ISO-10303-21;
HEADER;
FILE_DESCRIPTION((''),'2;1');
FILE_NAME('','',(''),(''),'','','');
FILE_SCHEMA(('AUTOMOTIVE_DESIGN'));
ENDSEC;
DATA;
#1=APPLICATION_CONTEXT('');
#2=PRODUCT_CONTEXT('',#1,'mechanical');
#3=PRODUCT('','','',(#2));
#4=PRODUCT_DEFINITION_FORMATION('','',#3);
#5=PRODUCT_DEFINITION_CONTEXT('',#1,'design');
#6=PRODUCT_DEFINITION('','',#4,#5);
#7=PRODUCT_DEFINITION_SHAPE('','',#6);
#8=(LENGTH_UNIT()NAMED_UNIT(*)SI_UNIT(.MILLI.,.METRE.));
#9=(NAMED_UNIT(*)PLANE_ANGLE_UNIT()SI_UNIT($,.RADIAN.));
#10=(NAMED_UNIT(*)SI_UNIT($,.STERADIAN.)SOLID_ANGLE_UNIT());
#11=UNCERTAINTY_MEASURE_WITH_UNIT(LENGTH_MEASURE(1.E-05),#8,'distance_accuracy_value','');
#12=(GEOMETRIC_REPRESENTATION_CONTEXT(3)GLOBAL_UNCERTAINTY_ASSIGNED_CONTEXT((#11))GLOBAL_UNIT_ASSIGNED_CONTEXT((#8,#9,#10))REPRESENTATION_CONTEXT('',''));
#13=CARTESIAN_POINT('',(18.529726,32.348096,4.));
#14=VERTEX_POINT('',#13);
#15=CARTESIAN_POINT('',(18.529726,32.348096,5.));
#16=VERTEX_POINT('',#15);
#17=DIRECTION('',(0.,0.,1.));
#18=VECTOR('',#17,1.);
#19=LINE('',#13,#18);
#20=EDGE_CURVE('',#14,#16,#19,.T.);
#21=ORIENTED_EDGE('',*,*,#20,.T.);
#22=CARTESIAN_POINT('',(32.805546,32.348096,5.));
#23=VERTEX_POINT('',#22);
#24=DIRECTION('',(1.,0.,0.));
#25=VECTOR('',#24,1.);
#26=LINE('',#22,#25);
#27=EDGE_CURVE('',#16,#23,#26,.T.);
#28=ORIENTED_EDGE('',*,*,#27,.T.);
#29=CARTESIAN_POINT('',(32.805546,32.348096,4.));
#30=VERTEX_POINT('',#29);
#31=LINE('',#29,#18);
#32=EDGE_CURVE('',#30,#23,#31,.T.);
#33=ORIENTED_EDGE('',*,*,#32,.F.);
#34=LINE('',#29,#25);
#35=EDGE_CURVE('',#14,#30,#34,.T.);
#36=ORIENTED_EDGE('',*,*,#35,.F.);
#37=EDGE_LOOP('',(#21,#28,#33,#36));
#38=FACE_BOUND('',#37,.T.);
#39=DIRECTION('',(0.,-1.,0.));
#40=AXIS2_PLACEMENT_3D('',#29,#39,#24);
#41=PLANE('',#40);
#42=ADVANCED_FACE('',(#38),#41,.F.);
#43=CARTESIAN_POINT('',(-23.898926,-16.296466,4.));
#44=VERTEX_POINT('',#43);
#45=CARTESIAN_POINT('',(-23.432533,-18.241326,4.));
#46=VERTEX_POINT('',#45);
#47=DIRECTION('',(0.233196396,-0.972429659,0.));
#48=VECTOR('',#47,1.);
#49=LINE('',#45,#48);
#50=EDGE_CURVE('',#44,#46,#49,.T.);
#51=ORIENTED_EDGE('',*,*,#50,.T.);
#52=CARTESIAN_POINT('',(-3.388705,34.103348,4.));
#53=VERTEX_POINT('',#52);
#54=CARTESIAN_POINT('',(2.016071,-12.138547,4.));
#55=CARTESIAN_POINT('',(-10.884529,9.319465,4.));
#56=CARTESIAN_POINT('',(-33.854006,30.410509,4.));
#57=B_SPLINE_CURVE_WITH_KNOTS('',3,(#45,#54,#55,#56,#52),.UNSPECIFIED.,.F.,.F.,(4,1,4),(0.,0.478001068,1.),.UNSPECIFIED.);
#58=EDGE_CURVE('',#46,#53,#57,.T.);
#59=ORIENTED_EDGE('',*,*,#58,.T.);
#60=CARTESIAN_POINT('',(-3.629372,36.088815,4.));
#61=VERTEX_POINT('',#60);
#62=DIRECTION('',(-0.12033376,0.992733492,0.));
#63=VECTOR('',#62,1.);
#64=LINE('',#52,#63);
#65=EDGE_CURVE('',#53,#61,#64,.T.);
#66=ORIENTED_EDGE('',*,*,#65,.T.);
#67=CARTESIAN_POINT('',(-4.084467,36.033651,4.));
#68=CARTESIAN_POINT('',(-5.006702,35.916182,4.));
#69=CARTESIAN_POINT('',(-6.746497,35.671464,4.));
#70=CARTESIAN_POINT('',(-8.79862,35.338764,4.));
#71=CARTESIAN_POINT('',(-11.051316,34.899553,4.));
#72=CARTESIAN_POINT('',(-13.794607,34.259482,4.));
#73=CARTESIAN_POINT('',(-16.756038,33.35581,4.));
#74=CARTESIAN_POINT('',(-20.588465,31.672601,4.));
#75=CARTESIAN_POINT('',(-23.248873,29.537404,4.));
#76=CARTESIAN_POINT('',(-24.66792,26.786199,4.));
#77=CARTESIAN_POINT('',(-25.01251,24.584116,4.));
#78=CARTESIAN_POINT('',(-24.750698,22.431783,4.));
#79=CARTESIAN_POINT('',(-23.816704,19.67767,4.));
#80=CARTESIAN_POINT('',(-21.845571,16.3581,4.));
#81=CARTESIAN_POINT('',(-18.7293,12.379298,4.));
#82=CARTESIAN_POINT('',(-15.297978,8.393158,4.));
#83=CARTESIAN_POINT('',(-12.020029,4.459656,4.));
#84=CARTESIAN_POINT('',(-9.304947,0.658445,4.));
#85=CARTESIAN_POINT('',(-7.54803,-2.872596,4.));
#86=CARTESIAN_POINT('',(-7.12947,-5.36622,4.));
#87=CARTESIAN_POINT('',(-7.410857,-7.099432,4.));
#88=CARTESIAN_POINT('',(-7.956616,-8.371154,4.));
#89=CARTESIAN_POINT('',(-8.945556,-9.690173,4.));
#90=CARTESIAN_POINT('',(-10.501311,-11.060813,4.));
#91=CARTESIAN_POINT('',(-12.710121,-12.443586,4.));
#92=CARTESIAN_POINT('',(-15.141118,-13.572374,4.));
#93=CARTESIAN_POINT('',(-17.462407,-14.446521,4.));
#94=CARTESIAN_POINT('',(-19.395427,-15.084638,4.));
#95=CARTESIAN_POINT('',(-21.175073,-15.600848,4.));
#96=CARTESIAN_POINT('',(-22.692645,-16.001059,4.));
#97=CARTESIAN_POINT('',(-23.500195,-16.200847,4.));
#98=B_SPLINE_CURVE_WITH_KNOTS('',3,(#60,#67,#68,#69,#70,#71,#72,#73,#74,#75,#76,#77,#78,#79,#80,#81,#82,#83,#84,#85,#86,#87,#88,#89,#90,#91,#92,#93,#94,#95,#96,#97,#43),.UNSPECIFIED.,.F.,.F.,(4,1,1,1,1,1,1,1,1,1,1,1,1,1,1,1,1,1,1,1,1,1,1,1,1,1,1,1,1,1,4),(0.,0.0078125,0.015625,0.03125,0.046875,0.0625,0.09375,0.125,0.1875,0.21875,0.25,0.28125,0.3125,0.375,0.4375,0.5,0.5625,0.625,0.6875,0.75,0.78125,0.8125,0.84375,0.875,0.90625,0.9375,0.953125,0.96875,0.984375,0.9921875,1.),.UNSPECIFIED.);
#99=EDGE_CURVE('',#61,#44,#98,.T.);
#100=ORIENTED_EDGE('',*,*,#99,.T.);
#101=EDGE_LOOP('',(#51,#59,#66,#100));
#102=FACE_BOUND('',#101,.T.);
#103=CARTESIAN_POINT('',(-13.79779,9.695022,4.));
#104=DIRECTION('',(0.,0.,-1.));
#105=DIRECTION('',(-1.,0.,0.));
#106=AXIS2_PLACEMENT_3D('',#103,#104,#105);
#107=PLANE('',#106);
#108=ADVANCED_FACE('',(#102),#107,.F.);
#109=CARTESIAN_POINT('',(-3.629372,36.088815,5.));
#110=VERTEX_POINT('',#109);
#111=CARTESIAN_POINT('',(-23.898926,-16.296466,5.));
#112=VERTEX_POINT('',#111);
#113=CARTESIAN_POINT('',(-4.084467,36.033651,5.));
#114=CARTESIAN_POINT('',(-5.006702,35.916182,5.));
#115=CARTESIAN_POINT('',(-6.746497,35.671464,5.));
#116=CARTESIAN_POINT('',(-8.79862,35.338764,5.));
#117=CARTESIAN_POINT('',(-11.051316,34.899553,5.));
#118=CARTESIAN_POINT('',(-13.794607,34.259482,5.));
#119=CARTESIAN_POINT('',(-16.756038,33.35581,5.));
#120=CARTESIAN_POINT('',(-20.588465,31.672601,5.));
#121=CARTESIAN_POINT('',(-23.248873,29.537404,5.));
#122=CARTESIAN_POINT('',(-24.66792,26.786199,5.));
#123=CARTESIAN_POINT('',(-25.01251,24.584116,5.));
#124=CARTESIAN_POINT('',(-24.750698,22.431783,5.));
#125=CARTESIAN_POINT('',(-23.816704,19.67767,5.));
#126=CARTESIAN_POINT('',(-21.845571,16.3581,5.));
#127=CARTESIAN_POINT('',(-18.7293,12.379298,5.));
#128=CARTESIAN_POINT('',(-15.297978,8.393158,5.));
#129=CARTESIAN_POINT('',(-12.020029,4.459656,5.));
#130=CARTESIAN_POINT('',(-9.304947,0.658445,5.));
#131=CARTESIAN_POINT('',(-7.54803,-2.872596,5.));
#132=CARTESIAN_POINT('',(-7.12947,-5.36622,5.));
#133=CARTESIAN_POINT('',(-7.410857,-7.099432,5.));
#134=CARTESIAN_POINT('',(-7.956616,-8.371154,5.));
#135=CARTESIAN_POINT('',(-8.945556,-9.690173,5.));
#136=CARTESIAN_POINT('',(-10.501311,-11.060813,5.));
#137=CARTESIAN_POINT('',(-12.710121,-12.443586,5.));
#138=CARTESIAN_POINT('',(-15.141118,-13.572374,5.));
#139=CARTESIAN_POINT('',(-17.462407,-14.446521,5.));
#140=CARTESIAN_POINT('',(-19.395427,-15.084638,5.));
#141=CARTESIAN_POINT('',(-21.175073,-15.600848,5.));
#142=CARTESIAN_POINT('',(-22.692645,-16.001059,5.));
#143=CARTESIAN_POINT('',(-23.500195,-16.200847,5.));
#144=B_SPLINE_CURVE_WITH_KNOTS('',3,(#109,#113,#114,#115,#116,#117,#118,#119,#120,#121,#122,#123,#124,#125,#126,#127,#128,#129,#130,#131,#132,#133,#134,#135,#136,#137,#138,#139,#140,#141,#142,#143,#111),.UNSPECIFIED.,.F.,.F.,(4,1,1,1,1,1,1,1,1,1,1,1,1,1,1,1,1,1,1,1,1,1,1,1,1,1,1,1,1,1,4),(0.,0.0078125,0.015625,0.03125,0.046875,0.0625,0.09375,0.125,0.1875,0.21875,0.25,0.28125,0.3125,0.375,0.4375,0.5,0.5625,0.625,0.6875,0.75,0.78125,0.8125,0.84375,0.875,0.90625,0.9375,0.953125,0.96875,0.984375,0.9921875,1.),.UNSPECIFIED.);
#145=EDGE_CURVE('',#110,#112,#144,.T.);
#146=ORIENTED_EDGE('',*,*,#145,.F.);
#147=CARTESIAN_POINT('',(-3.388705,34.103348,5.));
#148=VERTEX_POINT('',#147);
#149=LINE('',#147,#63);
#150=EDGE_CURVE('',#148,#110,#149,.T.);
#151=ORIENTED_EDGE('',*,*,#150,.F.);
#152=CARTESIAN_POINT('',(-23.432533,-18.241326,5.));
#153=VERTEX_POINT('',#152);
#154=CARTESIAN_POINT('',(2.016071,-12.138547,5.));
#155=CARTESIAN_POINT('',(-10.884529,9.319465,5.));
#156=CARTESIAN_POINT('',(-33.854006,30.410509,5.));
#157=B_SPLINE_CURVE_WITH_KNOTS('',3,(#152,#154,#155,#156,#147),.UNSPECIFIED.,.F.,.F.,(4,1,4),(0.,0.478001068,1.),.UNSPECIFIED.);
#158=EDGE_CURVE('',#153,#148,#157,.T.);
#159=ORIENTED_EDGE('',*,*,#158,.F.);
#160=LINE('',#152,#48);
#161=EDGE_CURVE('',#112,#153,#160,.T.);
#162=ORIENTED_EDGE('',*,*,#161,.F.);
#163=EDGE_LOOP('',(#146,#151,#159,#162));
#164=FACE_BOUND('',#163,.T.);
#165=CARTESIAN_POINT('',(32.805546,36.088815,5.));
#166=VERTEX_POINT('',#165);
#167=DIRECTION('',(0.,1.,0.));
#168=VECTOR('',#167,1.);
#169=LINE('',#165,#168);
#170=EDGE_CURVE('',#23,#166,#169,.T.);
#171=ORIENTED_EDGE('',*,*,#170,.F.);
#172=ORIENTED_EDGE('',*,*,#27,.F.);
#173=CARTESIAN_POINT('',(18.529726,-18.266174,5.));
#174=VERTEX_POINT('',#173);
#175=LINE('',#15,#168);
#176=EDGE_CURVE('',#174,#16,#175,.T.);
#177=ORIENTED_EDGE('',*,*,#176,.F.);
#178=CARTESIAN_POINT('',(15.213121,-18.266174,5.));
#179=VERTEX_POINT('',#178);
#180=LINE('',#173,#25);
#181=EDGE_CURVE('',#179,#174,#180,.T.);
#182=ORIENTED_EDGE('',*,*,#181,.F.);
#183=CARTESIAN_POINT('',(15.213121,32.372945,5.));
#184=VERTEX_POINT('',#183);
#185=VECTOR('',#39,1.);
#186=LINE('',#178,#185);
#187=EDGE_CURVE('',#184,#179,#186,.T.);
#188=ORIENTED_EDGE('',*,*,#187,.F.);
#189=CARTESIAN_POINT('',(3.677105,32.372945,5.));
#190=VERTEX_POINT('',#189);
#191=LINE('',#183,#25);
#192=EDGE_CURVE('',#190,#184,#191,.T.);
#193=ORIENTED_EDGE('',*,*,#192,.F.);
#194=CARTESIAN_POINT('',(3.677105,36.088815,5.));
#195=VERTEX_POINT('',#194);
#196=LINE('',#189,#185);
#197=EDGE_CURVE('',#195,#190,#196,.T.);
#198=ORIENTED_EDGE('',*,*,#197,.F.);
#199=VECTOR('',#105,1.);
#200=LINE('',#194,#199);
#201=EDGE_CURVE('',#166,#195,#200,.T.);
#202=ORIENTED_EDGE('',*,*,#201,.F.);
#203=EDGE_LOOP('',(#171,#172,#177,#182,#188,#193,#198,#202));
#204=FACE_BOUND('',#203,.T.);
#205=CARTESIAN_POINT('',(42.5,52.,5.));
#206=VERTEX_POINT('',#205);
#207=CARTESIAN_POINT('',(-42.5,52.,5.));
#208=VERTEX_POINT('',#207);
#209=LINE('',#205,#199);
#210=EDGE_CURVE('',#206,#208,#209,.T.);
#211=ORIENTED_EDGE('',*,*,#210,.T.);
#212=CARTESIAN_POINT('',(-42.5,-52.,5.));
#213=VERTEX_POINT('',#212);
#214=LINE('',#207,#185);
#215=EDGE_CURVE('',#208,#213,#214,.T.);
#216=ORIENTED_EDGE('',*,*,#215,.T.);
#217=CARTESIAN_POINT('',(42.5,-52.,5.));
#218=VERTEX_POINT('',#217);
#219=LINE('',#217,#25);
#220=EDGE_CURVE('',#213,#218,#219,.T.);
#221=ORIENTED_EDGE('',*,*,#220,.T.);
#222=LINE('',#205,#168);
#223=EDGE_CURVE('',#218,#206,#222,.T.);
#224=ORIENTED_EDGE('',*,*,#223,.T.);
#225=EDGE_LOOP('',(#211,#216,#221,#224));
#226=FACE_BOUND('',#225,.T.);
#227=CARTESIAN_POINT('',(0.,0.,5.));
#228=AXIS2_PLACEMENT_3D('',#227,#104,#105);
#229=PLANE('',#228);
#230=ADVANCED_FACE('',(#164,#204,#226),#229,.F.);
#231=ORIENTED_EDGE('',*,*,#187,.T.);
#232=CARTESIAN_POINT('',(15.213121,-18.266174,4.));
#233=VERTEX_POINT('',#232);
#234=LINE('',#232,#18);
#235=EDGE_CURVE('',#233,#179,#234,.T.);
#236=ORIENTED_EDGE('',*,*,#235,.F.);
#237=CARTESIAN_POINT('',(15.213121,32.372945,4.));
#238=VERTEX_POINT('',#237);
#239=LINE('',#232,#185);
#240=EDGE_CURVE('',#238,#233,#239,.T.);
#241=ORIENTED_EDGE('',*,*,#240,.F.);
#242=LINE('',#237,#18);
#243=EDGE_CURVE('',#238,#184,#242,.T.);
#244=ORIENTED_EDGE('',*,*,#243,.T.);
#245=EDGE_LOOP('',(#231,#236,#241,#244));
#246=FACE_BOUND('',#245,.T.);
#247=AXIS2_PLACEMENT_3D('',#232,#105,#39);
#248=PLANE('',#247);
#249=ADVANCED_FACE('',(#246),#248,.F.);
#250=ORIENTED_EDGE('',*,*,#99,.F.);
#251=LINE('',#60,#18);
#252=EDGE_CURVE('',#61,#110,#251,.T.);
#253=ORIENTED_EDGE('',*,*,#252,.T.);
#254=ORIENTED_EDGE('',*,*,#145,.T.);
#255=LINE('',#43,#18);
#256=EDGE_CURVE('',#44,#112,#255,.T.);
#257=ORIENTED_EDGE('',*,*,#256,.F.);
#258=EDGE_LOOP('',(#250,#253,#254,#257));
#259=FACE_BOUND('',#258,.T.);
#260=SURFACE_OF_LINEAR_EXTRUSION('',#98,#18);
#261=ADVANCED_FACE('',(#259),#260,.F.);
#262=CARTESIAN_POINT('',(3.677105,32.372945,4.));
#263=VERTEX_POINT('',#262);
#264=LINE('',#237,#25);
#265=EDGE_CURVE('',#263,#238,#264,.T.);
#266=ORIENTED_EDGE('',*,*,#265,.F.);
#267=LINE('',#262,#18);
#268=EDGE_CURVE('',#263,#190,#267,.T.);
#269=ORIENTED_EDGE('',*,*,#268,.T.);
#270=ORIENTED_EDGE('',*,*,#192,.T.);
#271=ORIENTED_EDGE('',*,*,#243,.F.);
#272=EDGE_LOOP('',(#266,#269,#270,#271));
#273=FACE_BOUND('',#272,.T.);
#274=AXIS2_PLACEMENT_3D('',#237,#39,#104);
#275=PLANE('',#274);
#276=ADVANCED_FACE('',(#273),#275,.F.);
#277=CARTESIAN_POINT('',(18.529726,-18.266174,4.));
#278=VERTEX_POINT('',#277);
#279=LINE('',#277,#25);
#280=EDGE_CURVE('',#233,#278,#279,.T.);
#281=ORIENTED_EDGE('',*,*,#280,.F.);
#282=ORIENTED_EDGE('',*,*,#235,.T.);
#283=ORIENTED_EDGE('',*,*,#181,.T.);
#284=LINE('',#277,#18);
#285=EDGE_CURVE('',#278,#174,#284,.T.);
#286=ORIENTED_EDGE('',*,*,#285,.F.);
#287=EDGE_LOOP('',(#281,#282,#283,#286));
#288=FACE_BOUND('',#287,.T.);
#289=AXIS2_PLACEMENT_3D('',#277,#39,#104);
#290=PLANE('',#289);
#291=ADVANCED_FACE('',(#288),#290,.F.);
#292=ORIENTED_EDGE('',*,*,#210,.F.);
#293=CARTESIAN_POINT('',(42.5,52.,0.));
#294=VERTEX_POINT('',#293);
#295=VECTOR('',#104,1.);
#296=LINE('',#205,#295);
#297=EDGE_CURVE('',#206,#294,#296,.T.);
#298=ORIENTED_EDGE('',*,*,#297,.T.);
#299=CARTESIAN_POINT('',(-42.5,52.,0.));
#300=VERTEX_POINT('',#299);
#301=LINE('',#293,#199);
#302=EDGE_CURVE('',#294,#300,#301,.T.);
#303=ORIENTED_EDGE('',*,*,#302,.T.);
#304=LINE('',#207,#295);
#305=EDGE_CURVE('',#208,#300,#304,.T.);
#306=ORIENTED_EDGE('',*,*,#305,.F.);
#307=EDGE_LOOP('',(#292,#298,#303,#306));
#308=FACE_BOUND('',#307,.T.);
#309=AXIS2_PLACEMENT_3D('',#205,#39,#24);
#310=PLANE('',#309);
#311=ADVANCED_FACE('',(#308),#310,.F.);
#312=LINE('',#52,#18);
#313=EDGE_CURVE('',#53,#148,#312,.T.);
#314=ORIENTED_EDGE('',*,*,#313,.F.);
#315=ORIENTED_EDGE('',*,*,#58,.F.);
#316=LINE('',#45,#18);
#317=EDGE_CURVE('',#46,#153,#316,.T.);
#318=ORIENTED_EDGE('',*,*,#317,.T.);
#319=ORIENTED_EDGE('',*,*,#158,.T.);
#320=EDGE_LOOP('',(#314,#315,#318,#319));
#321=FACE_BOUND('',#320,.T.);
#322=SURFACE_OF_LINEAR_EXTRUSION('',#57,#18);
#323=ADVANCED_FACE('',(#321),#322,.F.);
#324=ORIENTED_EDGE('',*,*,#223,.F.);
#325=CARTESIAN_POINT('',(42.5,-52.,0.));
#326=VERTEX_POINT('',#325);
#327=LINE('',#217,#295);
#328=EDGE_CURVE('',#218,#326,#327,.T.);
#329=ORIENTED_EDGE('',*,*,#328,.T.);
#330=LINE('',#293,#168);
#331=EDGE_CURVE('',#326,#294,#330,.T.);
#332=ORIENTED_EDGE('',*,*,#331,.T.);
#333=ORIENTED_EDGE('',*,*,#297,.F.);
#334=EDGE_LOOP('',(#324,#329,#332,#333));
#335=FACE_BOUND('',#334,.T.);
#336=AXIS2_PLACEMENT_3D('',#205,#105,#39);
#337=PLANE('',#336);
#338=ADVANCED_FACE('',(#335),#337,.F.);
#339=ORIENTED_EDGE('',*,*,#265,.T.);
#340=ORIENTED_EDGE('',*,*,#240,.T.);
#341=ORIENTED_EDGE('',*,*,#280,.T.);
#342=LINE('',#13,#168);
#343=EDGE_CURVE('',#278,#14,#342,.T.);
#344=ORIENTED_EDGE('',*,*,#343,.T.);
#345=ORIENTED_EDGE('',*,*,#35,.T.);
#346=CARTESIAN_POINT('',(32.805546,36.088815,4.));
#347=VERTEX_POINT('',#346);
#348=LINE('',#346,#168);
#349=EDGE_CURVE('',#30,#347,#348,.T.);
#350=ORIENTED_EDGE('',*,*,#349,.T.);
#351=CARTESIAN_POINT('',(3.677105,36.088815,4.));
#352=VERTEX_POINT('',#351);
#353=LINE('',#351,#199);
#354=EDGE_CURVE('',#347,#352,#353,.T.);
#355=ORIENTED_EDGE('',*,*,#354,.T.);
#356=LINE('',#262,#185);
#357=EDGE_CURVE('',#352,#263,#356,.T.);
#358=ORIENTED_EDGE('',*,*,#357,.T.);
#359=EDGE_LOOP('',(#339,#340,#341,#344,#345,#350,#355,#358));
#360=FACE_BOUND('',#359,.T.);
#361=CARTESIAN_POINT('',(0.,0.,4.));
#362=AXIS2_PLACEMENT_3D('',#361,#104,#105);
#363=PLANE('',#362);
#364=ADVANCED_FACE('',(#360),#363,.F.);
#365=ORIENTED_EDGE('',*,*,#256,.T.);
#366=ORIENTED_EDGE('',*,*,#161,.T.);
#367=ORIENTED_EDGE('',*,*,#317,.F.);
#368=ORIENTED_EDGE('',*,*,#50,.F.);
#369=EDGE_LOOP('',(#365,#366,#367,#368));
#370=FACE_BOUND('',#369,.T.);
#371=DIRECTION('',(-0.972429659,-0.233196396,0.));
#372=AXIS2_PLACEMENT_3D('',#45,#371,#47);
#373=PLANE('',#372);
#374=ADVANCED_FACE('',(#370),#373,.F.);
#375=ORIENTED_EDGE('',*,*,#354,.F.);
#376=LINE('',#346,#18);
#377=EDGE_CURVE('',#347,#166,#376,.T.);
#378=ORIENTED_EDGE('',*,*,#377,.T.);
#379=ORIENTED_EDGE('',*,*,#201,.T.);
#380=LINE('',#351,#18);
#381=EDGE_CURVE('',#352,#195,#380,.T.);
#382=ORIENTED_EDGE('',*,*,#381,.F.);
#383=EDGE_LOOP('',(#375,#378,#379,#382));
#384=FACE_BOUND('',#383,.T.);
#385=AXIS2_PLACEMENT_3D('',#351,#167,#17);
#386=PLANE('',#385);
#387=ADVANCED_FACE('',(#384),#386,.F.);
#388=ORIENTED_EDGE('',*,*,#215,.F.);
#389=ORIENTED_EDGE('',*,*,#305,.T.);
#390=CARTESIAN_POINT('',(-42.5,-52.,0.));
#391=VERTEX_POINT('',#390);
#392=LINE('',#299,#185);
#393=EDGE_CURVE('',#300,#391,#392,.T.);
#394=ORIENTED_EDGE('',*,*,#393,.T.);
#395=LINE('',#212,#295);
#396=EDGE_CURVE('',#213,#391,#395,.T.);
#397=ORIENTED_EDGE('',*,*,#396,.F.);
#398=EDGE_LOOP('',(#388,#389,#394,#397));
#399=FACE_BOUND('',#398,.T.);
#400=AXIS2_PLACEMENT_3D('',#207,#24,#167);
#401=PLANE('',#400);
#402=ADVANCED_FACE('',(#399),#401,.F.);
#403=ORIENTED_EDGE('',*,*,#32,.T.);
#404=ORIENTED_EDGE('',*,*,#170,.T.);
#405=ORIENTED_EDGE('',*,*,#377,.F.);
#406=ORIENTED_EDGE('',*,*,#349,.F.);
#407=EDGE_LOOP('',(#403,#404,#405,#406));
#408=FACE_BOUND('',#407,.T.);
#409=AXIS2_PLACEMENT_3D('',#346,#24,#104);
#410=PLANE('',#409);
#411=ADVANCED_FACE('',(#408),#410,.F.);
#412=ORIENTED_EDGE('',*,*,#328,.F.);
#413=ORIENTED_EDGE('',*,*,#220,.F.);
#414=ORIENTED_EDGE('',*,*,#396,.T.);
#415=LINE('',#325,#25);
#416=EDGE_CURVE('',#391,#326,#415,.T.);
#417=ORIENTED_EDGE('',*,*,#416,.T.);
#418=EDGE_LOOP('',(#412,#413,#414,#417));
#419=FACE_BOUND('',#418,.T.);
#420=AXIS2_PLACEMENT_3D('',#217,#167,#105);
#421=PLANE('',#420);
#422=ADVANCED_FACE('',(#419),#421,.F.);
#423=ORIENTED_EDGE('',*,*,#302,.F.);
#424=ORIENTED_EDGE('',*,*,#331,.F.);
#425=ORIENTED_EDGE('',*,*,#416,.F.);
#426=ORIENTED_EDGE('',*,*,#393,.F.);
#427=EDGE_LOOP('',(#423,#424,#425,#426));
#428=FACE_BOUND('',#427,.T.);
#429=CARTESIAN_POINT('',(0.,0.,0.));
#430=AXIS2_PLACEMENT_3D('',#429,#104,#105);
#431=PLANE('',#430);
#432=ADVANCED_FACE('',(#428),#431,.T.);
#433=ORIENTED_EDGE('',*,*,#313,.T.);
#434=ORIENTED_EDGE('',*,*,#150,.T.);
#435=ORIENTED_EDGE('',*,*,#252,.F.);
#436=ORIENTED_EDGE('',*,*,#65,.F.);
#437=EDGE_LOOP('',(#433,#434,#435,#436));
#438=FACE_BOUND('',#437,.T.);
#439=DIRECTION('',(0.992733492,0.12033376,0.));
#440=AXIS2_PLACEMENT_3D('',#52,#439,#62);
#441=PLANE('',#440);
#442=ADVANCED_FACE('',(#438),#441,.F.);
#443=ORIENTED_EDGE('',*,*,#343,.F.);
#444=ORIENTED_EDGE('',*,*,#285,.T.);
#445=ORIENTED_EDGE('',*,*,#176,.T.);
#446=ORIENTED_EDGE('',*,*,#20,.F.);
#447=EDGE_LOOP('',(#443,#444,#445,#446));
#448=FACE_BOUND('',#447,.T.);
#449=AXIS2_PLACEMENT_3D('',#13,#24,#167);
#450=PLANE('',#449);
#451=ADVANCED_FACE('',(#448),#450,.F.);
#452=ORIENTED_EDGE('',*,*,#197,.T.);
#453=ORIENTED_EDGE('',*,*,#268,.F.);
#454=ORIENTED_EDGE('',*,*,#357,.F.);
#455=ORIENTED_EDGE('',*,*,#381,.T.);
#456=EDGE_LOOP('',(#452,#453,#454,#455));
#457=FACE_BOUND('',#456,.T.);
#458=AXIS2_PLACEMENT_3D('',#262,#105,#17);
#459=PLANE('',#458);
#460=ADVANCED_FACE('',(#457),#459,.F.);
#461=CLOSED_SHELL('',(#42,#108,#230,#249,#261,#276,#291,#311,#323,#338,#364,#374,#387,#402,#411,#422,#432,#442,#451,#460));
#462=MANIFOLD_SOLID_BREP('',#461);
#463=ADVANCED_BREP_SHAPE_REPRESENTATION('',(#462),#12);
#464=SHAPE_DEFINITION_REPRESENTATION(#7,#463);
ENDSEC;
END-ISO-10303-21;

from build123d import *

# Parameters (mm, degrees)
ESQUISSE1_W             = 85
ESQUISSE1_H             = 104
BOSS_EXTRU_1_DEPTH      = 5
ENL_V_MAT_EXTRU_1_DEPTH = 1


with BuildPart() as part:
    # Esquisse1 → Boss.-Extru.1 (new body)
    with BuildSketch(Plane.XY):
        Rectangle(ESQUISSE1_W, ESQUISSE1_H)
    extrude(amount=BOSS_EXTRU_1_DEPTH)

    # Esquisse2 → Enlèv. mat.-Extru.1 (cut)
    with BuildSketch(Plane.XY.offset(5)):
        with BuildLine():
            Line((-3.388704743, 34.103347729), (-3.629372262, 36.088814713))
            add(Edge.make_bspline(
                [(-3.629372262, 36.088814713), (-4.08446723, 36.033650574), (-5.006701542, 35.9161817), (-6.746497307, 35.671464418), (-8.798619642, 35.338764173), (-11.051315829, 34.899553303), (-13.794606999, 34.259481961), (-16.756038002, 33.355809903), (-20.588465233, 31.672600674), (-23.248873274, 29.537403505), (-24.667920032, 26.786198992), (-25.012510364, 24.584115997), (-24.750697932, 22.431783349), (-23.816704413, 19.677670295), (-21.84557106, 16.358099799), (-18.729299599, 12.379297822), (-15.297978173, 8.393157934), (-12.02002896, 4.459655747), (-9.304947101, 0.658444927), (-7.548030079, -2.872596094), (-7.129469845, -5.366220488), (-7.41085698, -7.099431702), (-7.956615785, -8.371154177), (-8.945556146, -9.690172763), (-10.501310687, -11.060812544), (-12.710120912, -12.44358626), (-15.141117913, -13.572373646), (-17.46240655, -14.446520725), (-19.395427087, -15.084638487), (-21.175073092, -15.600848156), (-22.692644923, -16.001059417), (-23.500194879, -16.200847405), (-23.898925586, -16.296466212)],
                knots=[0, 0, 0, 0, 0.0078125, 0.015625, 0.03125, 0.046875, 0.0625, 0.09375, 0.125, 0.1875, 0.21875, 0.25, 0.28125, 0.3125, 0.375, 0.4375, 0.5, 0.5625, 0.625, 0.6875, 0.75, 0.78125, 0.8125, 0.84375, 0.875, 0.90625, 0.9375, 0.953125, 0.96875, 0.984375, 0.9921875, 1, 1, 1, 1], degree=3))
            Line((-23.898925586, -16.296466212), (-23.432532795, -18.24132553))
            add(Edge.make_bspline(
                [(-3.388704743, 34.103347729), (-33.854005817, 30.410509476), (-10.88452908, 9.31946477), (2.016071314, -12.138547096), (-23.432532795, -18.24132553)],
                knots=[0, 0, 0, 0, 0.521998932, 1, 1, 1, 1], degree=3))
        make_face()
        Polygon((3.677105146, 36.088814713), (32.805545913, 36.088814713), (32.805545913, 32.348096387), (18.529725933, 32.348096387), (18.529725933, -18.26617445), (15.213121291, -18.26617445), (15.213121291, 32.372945307), (3.677105146, 32.372945307), align=None)
    extrude(amount=-ENL_V_MAT_EXTRU_1_DEPTH, mode=Mode.SUBTRACT)


solid = part.part
